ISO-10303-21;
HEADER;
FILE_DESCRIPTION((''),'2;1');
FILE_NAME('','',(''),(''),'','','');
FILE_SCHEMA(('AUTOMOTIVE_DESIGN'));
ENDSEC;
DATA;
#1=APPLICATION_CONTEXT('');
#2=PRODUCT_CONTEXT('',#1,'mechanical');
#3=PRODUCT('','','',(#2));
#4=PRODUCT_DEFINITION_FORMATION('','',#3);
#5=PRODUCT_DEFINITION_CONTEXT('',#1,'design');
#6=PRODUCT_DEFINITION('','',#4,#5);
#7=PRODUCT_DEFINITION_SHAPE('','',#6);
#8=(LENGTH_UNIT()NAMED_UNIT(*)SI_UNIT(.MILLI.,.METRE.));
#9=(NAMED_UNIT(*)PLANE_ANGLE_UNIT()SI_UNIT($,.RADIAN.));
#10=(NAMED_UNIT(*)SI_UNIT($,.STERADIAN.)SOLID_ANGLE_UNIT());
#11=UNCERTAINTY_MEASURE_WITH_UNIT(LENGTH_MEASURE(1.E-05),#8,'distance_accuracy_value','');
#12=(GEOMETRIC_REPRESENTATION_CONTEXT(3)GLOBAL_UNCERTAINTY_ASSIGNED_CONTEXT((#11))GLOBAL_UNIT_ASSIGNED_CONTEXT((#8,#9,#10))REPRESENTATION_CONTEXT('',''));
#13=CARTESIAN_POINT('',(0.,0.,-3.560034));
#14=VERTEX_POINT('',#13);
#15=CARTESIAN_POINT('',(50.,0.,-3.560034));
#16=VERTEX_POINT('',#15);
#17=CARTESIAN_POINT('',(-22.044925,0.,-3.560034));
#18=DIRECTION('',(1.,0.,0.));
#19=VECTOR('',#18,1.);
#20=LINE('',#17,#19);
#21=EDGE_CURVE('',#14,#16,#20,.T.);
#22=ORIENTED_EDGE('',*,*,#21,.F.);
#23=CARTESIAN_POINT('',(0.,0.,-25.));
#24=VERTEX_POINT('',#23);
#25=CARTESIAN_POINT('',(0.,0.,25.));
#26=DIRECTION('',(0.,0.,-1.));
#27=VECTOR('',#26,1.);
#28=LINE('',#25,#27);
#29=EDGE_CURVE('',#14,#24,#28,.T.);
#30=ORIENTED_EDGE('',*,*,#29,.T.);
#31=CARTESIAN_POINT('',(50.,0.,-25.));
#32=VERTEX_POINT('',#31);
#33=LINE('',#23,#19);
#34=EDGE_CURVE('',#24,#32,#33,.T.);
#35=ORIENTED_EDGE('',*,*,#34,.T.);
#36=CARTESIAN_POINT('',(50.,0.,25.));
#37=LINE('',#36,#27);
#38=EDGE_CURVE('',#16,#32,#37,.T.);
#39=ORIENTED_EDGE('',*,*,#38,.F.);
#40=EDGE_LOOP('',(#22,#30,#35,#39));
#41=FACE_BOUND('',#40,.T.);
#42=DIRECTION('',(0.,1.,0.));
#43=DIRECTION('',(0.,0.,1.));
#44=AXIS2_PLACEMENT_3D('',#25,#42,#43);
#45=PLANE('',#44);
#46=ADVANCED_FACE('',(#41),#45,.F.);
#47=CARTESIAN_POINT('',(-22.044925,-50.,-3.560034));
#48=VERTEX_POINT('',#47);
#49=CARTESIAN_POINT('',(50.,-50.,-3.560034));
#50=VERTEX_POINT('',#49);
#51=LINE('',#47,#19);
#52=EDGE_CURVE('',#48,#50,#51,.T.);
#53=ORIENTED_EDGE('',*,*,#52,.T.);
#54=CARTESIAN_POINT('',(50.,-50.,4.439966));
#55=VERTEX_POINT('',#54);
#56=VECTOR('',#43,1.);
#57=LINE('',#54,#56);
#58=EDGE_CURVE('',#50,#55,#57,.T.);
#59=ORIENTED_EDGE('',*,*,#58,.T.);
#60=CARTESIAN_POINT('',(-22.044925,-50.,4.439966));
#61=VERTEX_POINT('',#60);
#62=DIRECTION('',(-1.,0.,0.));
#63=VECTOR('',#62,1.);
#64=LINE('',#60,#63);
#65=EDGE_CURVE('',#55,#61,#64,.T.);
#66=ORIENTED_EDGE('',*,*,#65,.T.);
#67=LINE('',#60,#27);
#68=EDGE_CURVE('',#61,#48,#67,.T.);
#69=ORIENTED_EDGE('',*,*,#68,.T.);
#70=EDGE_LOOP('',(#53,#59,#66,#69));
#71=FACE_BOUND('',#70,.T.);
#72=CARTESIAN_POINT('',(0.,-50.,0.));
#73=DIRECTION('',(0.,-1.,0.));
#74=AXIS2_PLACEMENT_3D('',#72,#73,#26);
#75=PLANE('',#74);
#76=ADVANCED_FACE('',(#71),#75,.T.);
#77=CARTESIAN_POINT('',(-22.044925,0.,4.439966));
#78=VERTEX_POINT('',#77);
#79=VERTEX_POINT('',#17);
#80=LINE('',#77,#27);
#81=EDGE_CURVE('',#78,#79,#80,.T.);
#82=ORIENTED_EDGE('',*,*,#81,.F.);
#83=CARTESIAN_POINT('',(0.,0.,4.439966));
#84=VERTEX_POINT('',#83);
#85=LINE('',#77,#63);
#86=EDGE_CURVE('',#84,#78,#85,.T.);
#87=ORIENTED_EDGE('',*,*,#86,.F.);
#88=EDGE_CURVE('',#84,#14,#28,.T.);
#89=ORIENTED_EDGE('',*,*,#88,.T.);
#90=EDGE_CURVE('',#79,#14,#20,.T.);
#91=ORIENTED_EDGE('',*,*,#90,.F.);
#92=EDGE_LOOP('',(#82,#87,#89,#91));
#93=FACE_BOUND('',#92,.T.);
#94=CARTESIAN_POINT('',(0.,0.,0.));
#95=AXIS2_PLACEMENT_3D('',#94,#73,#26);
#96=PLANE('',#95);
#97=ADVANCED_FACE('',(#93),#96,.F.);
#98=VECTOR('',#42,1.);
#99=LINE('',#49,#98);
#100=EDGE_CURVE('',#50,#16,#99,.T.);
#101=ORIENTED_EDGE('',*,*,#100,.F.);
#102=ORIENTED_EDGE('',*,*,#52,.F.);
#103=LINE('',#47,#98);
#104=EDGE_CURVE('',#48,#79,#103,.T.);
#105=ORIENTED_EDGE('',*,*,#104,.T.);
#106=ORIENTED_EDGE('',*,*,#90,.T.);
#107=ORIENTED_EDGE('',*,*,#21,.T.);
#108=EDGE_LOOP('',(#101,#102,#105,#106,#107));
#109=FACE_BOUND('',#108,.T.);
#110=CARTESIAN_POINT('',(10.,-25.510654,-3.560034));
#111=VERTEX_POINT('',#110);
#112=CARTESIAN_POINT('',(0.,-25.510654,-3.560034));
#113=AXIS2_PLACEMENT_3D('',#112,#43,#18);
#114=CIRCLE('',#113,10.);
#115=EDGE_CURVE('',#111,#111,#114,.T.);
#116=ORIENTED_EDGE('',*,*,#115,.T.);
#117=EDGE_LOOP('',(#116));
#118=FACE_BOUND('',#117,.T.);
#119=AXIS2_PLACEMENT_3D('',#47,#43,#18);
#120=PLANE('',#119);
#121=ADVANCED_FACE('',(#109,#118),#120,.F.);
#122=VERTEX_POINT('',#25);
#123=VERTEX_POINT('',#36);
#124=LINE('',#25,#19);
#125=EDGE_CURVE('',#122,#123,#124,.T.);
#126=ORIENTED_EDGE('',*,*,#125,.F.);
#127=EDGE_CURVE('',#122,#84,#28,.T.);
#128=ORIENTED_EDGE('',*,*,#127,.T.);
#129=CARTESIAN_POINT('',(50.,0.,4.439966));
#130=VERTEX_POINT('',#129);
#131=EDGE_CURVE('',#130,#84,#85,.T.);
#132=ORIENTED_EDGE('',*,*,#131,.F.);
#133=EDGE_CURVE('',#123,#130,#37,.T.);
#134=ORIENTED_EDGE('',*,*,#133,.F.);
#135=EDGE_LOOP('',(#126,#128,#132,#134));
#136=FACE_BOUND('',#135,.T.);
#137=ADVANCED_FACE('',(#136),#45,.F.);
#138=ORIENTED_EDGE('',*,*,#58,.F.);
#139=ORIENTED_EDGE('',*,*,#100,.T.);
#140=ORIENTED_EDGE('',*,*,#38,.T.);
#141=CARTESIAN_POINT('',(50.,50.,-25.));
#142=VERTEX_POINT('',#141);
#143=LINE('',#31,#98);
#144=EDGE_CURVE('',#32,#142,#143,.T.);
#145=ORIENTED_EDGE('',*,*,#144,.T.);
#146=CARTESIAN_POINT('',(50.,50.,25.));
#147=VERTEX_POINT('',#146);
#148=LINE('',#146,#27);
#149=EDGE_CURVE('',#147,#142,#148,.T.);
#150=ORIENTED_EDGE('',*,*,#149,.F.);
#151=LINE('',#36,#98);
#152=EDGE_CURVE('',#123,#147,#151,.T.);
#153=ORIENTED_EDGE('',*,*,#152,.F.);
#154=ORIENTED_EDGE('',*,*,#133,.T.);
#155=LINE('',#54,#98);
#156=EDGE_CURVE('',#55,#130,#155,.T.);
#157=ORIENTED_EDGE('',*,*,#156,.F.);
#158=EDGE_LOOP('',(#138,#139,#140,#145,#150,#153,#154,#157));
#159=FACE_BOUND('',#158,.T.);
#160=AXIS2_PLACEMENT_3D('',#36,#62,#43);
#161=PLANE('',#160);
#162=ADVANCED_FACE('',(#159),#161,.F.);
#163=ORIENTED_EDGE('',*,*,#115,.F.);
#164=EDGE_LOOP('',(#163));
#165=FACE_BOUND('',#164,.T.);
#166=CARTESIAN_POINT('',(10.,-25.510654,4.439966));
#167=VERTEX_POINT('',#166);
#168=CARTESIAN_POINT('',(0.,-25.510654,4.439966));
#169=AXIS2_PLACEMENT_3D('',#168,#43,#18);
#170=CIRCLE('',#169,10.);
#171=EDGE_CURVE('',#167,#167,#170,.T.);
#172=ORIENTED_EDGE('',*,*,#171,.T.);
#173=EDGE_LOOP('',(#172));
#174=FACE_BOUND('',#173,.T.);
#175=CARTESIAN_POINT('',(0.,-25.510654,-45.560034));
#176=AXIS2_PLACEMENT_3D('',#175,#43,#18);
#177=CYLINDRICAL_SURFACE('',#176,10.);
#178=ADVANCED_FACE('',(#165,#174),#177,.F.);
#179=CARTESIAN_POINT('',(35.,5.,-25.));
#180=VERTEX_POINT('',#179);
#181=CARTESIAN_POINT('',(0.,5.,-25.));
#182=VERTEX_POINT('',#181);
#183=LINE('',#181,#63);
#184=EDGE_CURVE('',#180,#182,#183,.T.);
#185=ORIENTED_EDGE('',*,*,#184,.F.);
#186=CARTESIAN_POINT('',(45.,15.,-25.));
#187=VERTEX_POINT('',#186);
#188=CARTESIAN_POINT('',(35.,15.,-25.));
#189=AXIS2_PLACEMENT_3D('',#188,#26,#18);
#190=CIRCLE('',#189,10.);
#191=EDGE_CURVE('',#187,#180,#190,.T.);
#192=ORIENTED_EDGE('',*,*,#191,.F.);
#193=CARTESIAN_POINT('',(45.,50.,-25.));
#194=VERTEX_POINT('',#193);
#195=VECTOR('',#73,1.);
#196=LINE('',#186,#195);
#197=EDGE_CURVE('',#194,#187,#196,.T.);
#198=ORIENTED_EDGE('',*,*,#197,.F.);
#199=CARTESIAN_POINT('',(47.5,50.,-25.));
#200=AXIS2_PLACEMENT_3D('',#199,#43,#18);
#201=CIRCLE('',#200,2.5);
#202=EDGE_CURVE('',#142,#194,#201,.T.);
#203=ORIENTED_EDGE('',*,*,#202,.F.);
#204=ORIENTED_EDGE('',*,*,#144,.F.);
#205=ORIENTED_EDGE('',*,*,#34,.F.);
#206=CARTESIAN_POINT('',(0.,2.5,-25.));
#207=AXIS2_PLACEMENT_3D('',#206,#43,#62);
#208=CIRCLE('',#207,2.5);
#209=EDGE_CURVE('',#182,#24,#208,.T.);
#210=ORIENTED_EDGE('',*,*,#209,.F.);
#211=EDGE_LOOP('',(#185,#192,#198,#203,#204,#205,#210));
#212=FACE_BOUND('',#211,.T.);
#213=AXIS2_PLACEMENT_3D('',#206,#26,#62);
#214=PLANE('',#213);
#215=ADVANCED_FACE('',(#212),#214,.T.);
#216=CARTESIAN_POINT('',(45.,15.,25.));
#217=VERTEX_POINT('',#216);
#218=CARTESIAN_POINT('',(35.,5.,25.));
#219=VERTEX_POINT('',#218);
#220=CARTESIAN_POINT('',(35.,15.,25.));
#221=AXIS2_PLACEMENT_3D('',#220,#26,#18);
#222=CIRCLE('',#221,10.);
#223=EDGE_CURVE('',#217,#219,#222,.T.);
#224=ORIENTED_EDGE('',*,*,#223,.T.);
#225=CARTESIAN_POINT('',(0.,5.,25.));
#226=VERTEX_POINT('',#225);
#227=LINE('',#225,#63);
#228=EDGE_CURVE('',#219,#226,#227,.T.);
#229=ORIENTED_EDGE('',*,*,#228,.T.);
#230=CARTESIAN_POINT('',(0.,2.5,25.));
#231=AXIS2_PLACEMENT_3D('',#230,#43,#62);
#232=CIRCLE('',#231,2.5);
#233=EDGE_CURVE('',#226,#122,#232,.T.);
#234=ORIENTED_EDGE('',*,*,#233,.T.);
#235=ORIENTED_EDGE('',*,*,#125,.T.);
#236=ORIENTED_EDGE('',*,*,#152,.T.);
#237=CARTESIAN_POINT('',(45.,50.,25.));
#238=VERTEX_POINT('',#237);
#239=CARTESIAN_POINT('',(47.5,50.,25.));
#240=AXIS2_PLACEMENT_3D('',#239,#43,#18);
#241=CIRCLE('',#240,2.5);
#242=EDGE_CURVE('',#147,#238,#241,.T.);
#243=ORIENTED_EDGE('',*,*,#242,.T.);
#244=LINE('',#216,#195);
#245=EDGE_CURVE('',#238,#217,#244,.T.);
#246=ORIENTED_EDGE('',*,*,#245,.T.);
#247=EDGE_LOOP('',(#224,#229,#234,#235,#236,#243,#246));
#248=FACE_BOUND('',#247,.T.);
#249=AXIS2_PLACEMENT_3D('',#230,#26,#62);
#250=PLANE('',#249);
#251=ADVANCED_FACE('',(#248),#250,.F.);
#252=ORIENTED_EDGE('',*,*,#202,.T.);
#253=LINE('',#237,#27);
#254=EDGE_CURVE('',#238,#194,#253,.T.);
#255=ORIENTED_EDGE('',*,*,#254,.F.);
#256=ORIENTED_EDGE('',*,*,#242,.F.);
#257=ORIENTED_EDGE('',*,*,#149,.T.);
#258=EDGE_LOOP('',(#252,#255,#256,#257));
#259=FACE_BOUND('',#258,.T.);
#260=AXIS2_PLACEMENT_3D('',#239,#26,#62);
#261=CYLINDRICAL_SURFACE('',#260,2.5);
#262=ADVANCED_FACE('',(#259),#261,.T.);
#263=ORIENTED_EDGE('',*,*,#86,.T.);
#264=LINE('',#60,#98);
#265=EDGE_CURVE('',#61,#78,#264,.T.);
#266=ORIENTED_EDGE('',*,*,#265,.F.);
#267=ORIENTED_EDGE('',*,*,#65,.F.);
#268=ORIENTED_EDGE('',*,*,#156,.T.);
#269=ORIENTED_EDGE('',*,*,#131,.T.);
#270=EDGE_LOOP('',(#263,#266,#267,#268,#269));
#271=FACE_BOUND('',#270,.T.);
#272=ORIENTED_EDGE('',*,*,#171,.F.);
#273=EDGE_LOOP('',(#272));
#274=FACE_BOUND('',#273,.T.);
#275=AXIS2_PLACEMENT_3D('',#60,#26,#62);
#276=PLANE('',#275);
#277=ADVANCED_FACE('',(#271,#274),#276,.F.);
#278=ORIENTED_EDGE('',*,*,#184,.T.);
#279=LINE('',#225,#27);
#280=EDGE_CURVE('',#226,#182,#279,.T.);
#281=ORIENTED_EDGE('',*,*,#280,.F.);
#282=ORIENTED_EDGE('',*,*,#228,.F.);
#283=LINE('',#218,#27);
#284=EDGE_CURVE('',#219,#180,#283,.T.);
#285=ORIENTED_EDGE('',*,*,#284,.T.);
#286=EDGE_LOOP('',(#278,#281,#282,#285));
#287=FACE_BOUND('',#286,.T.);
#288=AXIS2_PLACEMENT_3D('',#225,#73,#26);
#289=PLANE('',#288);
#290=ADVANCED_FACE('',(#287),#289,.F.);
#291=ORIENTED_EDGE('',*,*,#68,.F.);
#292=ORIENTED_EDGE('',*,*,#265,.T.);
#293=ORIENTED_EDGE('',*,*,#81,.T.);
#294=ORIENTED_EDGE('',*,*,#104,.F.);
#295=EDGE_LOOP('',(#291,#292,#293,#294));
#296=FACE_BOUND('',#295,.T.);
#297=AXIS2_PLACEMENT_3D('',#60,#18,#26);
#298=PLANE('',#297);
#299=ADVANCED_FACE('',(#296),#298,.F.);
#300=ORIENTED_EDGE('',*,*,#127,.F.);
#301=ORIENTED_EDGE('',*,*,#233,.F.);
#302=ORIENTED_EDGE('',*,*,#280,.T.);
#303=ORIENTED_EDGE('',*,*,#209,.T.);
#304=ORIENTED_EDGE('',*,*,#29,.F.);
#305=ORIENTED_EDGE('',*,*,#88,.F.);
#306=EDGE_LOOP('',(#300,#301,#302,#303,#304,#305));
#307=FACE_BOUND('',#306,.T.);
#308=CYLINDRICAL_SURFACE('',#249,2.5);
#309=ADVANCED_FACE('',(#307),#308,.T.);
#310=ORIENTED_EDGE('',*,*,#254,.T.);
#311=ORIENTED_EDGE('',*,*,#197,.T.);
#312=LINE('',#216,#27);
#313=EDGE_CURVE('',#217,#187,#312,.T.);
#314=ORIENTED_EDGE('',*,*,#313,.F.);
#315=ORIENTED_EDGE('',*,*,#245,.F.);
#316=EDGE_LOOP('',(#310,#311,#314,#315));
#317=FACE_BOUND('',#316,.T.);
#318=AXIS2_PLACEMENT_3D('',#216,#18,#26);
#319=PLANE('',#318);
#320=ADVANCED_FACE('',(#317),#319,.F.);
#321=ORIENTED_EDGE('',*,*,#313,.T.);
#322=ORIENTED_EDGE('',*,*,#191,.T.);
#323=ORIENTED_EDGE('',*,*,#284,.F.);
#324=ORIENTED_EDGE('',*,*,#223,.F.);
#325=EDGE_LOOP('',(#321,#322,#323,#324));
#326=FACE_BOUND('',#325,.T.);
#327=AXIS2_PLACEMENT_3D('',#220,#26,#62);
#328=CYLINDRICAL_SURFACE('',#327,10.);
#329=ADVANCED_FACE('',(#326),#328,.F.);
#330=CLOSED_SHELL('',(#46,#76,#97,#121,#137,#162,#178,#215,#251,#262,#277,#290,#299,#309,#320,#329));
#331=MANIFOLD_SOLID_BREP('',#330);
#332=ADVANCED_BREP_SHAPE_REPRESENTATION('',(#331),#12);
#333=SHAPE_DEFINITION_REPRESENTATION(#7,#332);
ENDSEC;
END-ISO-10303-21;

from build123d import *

# Parameters (mm, degrees)
SALIENTE_EXTRUIR1_DEPTH = 25
CROQUIS2_W              = 72.044924806
CROQUIS2_H              = 8
SALIENTE_EXTRUIR2_DEPTH = 50
CROQUIS3_R              = 10
CORTAR_EXTRUIR1_DEPTH   = 50


with BuildPart() as part:
    # Croquis1 → Saliente-Extruir1 (new, symmetric)
    with BuildSketch(Plane.XY):
        with BuildLine():
            Line((0, 0), (50, 0))
            Line((50, 0), (50, 50))
            ThreePointArc((50, 50), (47.5, 52.5), (45, 50))
            Line((45, 50), (45, 15))
            ThreePointArc((45, 15), (42.071067812, 7.928932188), (35, 5))
            Line((35, 5), (0, 5))
            ThreePointArc((0, 5), (-2.5, 2.5), (0, 0))
        make_face()
    extrude(amount=SALIENTE_EXTRUIR1_DEPTH, both=True)

    # Croquis2 → Saliente-Extruir2 (add)
    with BuildSketch(Plane.XZ):
        with Locations((13.977537597, 0.439965546)):
            Rectangle(CROQUIS2_W, CROQUIS2_H)
    extrude(amount=SALIENTE_EXTRUIR2_DEPTH)

    # Croquis3 → Cortar-Extruir1 (cut)
    with BuildSketch(Plane.XY.offset(4.439965546)):
        with Locations((0, -25.510653739)):
            Circle(CROQUIS3_R)
    extrude(amount=-CORTAR_EXTRUIR1_DEPTH, mode=Mode.SUBTRACT)


solid = part.part
